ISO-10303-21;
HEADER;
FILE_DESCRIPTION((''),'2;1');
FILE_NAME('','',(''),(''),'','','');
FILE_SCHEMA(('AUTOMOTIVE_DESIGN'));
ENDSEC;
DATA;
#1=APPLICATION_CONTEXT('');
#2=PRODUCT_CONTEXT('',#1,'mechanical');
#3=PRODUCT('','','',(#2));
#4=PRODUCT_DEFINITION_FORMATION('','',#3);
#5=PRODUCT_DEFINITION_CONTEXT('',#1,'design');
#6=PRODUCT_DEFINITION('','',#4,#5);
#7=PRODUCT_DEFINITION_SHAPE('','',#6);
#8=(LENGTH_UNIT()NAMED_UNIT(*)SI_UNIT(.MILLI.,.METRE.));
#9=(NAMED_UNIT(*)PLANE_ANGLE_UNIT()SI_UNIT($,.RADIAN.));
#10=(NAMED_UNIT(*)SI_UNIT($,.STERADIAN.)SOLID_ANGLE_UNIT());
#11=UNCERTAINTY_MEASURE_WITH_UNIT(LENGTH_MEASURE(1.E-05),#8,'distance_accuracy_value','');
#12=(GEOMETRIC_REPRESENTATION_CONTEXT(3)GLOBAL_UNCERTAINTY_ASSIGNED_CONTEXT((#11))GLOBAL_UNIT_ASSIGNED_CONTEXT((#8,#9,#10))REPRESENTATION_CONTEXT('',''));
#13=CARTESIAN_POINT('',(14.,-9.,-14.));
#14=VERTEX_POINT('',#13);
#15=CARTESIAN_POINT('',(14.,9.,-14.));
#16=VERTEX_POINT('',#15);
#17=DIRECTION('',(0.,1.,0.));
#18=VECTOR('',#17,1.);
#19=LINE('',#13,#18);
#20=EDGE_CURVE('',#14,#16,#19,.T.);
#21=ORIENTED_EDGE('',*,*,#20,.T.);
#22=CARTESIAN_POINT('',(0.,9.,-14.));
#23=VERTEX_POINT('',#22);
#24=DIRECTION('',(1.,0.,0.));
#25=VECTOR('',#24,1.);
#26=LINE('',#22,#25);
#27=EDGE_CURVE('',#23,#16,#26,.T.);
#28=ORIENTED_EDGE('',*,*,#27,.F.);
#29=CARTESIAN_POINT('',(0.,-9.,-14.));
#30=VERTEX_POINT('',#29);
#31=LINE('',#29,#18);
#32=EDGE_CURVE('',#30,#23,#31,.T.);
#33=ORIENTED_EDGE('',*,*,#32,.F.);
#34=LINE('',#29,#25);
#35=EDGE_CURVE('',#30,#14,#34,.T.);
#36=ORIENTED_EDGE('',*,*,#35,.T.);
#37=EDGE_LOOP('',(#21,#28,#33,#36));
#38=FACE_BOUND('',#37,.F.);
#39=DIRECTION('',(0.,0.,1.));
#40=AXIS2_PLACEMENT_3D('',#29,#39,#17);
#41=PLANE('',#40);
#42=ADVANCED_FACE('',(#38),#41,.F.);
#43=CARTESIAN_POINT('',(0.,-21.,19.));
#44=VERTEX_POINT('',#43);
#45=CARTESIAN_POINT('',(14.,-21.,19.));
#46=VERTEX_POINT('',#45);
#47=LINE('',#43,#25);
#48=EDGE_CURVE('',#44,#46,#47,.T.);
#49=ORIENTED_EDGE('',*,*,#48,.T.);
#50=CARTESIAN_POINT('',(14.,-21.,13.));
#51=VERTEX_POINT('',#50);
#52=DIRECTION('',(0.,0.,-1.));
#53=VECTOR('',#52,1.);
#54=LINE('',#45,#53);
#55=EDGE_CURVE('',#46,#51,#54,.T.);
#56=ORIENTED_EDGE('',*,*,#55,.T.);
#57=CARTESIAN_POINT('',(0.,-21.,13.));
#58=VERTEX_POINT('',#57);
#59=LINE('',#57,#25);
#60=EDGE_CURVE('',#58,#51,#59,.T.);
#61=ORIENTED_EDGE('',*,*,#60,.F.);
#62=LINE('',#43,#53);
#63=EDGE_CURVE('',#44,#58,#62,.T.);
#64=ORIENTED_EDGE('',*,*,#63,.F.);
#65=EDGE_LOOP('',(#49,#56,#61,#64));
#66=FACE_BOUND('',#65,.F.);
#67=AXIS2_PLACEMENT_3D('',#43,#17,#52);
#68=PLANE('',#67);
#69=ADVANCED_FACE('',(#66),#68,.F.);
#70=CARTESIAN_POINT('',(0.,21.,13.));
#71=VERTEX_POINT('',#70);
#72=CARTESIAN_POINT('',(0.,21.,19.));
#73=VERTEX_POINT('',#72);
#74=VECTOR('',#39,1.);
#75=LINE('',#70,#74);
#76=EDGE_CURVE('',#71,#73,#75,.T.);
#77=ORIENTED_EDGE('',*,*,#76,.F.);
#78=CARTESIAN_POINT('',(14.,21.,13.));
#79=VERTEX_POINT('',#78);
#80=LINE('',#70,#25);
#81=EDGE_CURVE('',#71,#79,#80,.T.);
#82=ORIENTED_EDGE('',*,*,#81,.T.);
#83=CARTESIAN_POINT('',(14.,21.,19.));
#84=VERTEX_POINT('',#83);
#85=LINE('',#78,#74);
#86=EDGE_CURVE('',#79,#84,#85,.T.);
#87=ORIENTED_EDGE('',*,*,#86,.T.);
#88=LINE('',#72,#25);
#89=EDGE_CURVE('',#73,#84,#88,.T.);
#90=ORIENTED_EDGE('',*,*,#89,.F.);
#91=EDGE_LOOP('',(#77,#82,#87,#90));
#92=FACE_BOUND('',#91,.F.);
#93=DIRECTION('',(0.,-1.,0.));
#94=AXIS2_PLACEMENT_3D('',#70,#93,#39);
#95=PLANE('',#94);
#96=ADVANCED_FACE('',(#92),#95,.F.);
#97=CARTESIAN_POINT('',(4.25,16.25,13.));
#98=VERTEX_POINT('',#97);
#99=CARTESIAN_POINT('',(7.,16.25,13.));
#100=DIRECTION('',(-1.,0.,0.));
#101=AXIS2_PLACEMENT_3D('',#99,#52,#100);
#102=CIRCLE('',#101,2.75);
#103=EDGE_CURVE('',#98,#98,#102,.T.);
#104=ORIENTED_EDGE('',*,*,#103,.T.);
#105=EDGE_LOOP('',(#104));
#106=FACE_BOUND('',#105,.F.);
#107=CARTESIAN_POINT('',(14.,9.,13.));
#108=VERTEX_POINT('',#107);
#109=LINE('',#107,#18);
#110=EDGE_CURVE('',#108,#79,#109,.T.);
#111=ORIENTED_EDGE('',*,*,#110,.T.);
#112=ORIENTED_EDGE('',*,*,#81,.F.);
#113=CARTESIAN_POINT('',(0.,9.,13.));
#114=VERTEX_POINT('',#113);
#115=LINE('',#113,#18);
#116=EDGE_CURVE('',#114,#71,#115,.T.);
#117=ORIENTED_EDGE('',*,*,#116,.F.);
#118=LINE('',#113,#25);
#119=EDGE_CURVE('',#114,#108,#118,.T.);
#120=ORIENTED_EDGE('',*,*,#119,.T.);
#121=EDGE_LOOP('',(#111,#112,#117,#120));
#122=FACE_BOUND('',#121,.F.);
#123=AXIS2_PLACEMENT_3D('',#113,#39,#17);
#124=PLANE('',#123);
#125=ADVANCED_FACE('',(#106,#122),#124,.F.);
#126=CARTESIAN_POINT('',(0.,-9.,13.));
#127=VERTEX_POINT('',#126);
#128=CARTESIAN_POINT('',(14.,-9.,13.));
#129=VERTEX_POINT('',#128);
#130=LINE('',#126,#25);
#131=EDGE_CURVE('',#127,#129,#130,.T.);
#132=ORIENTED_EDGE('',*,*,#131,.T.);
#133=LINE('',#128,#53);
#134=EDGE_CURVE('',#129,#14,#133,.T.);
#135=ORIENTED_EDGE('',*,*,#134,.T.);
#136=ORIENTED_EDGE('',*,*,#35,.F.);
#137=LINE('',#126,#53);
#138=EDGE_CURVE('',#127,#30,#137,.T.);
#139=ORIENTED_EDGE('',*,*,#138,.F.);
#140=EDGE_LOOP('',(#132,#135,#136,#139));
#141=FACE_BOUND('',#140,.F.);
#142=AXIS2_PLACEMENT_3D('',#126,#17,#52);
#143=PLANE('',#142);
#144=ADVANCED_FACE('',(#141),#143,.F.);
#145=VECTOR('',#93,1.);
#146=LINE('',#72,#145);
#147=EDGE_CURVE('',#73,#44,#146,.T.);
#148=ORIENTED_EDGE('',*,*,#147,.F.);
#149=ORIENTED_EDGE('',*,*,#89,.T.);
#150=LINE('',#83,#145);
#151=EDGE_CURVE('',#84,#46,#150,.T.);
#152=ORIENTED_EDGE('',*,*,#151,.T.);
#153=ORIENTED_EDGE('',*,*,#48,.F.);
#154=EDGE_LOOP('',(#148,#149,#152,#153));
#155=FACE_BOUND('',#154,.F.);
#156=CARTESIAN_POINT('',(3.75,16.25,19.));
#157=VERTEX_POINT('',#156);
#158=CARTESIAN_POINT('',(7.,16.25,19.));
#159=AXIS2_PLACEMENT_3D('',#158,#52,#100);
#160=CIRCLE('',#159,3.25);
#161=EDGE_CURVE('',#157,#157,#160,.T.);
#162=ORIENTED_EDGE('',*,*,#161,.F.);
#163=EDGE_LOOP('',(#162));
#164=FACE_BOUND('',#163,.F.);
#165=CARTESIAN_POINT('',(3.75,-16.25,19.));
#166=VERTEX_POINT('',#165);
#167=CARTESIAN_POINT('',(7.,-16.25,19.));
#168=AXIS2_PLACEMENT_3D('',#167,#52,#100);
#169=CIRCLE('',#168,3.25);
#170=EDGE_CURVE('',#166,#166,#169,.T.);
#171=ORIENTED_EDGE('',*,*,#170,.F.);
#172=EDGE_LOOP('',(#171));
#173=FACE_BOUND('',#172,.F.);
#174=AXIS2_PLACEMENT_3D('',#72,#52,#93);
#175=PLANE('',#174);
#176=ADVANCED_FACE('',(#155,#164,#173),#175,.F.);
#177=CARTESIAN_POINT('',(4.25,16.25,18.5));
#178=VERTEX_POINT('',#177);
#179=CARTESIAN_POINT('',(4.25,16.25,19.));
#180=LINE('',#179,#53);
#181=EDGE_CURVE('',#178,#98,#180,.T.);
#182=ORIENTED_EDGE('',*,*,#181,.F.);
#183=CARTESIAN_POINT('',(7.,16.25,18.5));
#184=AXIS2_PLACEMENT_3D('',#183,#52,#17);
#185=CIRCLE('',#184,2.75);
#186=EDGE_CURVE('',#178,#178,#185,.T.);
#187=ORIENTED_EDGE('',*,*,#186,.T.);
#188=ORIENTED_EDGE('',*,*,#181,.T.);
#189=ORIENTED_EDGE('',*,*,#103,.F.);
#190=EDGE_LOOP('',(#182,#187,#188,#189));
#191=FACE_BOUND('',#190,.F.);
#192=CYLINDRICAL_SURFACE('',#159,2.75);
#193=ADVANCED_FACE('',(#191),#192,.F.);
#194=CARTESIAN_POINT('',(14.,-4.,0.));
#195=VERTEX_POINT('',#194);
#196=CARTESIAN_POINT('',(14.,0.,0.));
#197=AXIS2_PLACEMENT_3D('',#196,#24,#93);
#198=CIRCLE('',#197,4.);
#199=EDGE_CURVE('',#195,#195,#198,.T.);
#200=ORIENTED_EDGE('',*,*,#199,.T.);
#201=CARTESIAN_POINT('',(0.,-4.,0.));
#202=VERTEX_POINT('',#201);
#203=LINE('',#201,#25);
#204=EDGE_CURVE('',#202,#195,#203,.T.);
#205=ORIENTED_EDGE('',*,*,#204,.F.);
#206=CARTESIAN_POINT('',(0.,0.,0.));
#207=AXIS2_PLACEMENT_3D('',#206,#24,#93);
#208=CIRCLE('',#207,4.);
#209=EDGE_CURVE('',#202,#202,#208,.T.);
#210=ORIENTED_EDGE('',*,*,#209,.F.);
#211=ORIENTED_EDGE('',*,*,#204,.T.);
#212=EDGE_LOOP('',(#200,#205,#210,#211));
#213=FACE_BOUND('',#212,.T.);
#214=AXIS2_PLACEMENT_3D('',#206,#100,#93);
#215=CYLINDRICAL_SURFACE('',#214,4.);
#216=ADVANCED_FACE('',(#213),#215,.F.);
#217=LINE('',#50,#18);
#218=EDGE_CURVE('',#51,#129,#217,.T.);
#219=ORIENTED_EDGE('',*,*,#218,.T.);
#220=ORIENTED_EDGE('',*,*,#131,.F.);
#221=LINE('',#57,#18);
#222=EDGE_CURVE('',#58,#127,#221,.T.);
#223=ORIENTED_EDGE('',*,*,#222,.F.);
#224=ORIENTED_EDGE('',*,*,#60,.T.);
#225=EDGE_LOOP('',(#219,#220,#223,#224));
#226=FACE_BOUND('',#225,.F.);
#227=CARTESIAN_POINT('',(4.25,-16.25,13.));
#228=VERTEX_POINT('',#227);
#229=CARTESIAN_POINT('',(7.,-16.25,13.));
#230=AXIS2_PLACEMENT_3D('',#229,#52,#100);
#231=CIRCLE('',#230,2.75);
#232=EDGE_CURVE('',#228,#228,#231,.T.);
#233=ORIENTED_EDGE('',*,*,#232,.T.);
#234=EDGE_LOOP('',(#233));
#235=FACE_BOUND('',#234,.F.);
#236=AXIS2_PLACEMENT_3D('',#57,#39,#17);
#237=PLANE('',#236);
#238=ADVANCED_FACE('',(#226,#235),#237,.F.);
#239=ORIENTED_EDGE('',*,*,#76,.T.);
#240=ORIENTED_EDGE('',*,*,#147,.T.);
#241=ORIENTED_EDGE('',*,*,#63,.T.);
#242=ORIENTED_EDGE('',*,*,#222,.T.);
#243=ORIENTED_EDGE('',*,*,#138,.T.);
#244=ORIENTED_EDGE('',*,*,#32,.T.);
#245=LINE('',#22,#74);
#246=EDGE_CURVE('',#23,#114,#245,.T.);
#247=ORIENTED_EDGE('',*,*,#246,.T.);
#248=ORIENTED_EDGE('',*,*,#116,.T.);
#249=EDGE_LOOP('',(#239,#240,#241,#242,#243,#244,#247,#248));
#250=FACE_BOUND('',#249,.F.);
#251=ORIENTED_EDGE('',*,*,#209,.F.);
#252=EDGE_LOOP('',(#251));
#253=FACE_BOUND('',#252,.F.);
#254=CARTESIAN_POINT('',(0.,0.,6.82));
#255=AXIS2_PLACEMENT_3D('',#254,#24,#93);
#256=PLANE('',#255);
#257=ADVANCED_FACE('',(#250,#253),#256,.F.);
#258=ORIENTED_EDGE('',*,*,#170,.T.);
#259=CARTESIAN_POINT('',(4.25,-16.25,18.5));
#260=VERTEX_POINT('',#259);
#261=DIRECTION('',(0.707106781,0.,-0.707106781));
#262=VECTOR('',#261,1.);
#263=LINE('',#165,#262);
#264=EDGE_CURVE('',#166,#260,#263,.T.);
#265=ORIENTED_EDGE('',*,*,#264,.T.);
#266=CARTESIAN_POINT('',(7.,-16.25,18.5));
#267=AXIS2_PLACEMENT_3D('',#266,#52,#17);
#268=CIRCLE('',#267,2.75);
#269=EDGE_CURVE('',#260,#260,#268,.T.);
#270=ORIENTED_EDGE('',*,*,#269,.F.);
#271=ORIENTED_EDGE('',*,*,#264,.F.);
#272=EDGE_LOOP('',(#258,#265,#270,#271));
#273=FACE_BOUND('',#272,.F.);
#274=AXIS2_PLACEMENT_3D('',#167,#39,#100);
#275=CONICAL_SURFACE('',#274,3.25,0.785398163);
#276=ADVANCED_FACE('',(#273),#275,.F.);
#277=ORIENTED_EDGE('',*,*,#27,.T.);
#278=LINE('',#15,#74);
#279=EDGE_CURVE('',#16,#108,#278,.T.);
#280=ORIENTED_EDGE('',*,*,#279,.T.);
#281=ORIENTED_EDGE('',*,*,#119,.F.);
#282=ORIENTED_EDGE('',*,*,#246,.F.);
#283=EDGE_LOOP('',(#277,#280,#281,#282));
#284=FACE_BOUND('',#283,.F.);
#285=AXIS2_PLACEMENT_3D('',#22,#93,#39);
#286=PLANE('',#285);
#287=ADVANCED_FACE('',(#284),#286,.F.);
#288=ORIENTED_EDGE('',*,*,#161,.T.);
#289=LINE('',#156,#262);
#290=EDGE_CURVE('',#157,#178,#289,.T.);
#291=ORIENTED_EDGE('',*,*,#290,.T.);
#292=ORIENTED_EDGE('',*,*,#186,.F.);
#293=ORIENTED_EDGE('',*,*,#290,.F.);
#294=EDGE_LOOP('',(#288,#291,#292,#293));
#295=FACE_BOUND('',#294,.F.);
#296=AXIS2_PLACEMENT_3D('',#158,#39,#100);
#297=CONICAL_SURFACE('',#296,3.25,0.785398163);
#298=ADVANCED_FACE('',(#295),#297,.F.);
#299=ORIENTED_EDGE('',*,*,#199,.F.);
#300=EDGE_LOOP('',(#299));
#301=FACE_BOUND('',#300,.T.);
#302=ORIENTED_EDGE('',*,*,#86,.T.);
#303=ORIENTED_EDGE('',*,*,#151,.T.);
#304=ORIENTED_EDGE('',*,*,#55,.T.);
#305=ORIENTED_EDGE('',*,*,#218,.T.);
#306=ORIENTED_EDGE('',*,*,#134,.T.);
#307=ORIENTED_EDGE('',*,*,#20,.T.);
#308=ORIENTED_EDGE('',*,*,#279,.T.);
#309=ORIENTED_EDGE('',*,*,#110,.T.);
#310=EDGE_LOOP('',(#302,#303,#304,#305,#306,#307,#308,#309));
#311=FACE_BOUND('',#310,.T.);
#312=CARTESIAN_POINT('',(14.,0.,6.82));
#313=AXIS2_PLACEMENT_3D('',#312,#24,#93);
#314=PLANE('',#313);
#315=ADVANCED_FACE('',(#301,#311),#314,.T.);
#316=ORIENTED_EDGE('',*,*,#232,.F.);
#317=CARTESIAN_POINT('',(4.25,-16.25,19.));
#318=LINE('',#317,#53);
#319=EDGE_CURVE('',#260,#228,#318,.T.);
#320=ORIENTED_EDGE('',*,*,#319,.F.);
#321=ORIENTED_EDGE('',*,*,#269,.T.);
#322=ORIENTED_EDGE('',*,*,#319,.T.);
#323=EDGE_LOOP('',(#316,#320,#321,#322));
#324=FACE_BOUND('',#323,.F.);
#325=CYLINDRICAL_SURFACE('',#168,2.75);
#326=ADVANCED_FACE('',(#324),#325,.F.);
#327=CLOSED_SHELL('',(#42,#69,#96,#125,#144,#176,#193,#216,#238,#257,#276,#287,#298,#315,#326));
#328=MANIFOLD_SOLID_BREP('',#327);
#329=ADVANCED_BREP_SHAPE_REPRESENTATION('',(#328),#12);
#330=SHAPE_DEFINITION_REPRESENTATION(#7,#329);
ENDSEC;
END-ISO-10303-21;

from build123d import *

# Parameters (mm, degrees)
F0_R           = 4
F1_DEPTH       = 14
F2_ANGLE       = 180
F4_D           = 5.5
F4_CSINK_D     = 6.5
F4_CSINK_ANGLE = 90


with BuildPart() as f1:
    # F0 (on Right) → F1 (new body)
    with BuildSketch(Plane.YZ):
        Polygon((-21, -19), (0, -19), (21, -19), (21, -13), (9, -13), (9, 14), (0, 14), (-9, 14), (-9, -13), (-21, -13), align=None)
        Circle(F0_R, mode=Mode.SUBTRACT)
    extrude(amount=F1_DEPTH)


with BuildPart() as f1_1:
    # F2: moved
    add(f1.part.rotate(Axis((0, 0, 0), (-1, 0, 0)), F2_ANGLE))

    # F4 (through all)
    with Locations(Plane.XY.offset(19)):
        with Locations((7, -16.25), (7, 16.25)):
            CounterSinkHole(F4_D / 2, F4_CSINK_D / 2, counter_sink_angle=F4_CSINK_ANGLE)


solid = f1_1.part
